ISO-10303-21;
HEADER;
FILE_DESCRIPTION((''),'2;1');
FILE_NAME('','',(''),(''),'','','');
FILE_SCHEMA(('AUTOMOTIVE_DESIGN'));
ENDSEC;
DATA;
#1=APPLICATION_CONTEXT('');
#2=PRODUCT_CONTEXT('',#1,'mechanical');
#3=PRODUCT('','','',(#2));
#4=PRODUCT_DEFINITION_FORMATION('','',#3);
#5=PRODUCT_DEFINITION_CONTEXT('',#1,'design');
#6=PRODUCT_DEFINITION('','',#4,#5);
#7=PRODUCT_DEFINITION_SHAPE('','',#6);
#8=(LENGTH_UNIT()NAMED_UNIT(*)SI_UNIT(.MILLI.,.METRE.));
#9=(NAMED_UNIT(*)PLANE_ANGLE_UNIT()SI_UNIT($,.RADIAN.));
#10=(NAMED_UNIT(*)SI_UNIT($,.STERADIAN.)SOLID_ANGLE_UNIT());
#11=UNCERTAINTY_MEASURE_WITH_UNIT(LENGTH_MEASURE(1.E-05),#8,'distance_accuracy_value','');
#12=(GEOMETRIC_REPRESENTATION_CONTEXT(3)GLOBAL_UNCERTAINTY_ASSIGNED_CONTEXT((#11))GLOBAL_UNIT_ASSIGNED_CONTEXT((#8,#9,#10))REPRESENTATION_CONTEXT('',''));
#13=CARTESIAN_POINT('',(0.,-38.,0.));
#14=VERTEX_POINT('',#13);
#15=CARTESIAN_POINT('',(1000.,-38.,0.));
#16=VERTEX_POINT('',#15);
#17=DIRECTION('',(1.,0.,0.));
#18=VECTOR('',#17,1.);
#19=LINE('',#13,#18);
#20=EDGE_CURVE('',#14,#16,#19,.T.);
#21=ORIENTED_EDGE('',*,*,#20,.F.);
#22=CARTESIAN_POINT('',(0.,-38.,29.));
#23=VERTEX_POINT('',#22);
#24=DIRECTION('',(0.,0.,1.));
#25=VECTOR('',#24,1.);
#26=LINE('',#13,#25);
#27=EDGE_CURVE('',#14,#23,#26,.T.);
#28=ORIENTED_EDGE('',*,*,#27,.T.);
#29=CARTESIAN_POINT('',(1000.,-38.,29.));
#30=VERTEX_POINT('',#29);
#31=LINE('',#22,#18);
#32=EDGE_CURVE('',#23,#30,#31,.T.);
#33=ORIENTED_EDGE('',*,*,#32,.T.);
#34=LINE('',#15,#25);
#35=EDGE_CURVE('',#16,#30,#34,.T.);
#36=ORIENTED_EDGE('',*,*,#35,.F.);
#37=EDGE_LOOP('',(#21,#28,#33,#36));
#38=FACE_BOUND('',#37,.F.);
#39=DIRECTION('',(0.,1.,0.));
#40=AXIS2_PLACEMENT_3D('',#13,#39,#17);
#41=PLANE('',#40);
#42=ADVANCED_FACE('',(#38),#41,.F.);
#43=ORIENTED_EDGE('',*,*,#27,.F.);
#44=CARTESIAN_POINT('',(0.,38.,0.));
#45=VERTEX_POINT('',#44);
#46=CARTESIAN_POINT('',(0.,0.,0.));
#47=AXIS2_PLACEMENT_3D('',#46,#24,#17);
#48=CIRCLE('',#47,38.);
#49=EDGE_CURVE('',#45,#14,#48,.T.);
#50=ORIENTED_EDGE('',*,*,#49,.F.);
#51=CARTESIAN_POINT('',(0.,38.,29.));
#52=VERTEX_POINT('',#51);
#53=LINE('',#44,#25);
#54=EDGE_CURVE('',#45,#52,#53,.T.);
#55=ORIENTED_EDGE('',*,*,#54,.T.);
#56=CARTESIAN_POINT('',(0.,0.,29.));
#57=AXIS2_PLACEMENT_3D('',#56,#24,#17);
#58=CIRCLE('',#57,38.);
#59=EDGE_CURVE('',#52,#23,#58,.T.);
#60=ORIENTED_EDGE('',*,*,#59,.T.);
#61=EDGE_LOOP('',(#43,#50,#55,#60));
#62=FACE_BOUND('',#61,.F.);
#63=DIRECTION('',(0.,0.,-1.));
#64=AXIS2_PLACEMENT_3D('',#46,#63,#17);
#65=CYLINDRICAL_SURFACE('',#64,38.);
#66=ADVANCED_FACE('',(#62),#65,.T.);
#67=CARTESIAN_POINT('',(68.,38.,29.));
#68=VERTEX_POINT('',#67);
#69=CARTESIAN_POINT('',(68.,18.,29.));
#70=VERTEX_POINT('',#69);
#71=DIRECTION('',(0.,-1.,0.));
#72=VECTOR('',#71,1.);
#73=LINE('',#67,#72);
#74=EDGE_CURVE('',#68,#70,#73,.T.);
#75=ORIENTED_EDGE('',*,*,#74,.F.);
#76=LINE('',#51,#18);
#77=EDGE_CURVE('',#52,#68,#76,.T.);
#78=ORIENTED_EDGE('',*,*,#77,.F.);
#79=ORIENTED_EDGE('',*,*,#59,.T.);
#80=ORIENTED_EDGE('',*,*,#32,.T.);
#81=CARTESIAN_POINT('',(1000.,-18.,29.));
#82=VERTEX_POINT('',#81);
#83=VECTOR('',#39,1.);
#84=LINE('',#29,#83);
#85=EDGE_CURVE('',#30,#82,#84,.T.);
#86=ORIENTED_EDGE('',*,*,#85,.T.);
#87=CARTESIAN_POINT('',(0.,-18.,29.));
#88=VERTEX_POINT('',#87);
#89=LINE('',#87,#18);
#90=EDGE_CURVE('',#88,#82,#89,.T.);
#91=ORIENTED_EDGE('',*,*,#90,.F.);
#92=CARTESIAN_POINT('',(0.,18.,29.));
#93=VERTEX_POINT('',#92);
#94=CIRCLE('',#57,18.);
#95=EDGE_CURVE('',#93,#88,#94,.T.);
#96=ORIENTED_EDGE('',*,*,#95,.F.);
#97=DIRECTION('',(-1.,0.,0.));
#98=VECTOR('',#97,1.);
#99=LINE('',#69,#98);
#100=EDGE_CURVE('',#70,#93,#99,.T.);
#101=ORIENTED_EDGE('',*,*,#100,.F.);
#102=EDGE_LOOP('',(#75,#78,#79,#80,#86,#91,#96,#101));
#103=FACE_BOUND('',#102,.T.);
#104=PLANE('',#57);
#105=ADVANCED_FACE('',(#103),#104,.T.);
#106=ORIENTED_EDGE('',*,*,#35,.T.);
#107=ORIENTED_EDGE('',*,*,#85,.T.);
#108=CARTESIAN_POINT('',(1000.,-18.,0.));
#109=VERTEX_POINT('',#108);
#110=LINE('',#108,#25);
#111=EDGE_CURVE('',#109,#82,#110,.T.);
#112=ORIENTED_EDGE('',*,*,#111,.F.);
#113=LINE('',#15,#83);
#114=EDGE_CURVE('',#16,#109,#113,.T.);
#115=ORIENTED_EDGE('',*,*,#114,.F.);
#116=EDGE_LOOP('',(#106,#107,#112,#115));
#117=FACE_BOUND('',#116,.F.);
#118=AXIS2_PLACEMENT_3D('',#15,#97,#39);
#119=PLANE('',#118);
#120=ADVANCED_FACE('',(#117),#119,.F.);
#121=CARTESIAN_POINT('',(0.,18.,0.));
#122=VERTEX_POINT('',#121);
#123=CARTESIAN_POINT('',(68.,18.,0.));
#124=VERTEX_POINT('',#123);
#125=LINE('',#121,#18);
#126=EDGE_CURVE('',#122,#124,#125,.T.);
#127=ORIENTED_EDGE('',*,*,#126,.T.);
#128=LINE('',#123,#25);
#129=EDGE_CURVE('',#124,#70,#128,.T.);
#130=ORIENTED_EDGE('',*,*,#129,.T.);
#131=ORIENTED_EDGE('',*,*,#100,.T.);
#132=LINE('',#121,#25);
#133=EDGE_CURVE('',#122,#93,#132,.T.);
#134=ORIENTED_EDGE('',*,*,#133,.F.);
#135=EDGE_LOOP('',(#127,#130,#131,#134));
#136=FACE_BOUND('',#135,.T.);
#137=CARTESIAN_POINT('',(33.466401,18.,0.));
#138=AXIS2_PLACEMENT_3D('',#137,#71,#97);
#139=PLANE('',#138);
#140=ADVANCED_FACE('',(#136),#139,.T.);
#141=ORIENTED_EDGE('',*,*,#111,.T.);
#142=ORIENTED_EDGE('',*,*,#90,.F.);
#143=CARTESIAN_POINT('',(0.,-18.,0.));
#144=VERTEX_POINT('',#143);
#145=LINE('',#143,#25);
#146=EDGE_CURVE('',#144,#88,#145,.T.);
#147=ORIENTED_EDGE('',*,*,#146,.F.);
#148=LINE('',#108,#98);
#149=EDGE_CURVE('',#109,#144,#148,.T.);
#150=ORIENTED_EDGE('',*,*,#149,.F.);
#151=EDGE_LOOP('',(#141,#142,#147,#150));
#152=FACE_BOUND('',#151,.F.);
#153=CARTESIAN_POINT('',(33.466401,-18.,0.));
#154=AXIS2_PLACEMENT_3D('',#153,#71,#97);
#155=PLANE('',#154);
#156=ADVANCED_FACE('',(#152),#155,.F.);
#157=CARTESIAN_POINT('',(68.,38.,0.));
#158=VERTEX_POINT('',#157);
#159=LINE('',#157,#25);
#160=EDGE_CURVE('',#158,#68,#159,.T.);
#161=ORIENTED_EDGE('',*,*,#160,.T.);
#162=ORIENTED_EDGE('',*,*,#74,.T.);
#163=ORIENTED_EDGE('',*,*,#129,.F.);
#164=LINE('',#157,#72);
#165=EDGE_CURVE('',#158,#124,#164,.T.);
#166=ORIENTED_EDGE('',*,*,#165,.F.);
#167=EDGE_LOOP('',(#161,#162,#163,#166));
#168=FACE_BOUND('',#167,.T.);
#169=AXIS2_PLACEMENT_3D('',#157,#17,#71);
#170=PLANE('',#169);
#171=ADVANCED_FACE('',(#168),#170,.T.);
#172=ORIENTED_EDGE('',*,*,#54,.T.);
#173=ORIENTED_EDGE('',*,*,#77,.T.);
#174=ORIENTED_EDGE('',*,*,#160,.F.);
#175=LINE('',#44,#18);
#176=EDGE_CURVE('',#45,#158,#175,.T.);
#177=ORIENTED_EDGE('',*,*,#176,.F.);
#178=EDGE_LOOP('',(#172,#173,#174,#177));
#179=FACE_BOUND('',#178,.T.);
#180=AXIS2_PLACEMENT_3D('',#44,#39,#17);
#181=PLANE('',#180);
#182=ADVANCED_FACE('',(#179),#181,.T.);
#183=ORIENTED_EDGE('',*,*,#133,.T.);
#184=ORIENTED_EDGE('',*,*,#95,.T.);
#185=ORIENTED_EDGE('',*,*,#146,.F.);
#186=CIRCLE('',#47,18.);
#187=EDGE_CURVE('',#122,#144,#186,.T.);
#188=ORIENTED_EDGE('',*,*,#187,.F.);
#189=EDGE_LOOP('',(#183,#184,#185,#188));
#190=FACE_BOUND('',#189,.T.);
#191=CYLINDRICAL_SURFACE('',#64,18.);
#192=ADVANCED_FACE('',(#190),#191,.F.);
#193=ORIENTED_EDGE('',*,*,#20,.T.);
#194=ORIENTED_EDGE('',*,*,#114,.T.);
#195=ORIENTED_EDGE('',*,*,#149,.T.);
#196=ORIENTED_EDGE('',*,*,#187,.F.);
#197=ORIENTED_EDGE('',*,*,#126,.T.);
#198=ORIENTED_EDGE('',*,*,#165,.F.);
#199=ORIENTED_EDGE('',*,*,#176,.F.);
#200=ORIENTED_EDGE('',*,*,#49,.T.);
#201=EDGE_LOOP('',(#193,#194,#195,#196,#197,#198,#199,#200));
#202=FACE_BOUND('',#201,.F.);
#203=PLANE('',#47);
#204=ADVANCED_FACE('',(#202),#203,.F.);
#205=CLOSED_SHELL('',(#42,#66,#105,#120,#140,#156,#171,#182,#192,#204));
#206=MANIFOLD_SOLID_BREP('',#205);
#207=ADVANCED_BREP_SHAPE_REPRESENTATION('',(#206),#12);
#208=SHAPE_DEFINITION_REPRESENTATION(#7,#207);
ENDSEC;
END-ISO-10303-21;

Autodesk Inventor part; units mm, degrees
ref_plane "YZ Plane" through (0, 0, 0) normal (1, 0, 0) x (0, 1, 0)
ref_plane "XZ Plane" through (0, 0, 0) normal (0, 1, 0) x (-1, 0, 0)
ref_plane "XY Plane" through (0, 0, 0) normal (0, 0, 1) x (1, 0, 0)
sketch "Sketch1" plane through (0, 0, 0) normal (0, 0, 1) x (1, 0, 0)
  circle A0 centre (0, 0) radius 38
  line L0 (0, -38) -> (1000, -38)
  line L1 (1000, -38) -> (1000, -18)
  line L2 (1000, -18) -> (0, -18)
  line L3 (0, -18) -> (0, -38)
  line L4 (0, 38) -> (68, 38)
  line L5 (68, 38) -> (68, 18)
  line L6 (68, 18) -> (0, 18)
  line L7 (0, 18) -> (0, 38)
  circle A1 centre (0, 0) radius 18
  dimension "d0" = 76
  dimension "d1" = 20
  dimension "d2" = 20
  dimension "d4" = 1000
  dimension "d7" = 68
extrude "Extrusion1" add sketch "Sketch1" along normal blind 29 contours L7 A1 L3 A0 | L4 L5 L6 A0 | A0 L6 L7 | L3 L2 A0 | A0 L2 L1 L0
properties part number "J15BF.1.20"
